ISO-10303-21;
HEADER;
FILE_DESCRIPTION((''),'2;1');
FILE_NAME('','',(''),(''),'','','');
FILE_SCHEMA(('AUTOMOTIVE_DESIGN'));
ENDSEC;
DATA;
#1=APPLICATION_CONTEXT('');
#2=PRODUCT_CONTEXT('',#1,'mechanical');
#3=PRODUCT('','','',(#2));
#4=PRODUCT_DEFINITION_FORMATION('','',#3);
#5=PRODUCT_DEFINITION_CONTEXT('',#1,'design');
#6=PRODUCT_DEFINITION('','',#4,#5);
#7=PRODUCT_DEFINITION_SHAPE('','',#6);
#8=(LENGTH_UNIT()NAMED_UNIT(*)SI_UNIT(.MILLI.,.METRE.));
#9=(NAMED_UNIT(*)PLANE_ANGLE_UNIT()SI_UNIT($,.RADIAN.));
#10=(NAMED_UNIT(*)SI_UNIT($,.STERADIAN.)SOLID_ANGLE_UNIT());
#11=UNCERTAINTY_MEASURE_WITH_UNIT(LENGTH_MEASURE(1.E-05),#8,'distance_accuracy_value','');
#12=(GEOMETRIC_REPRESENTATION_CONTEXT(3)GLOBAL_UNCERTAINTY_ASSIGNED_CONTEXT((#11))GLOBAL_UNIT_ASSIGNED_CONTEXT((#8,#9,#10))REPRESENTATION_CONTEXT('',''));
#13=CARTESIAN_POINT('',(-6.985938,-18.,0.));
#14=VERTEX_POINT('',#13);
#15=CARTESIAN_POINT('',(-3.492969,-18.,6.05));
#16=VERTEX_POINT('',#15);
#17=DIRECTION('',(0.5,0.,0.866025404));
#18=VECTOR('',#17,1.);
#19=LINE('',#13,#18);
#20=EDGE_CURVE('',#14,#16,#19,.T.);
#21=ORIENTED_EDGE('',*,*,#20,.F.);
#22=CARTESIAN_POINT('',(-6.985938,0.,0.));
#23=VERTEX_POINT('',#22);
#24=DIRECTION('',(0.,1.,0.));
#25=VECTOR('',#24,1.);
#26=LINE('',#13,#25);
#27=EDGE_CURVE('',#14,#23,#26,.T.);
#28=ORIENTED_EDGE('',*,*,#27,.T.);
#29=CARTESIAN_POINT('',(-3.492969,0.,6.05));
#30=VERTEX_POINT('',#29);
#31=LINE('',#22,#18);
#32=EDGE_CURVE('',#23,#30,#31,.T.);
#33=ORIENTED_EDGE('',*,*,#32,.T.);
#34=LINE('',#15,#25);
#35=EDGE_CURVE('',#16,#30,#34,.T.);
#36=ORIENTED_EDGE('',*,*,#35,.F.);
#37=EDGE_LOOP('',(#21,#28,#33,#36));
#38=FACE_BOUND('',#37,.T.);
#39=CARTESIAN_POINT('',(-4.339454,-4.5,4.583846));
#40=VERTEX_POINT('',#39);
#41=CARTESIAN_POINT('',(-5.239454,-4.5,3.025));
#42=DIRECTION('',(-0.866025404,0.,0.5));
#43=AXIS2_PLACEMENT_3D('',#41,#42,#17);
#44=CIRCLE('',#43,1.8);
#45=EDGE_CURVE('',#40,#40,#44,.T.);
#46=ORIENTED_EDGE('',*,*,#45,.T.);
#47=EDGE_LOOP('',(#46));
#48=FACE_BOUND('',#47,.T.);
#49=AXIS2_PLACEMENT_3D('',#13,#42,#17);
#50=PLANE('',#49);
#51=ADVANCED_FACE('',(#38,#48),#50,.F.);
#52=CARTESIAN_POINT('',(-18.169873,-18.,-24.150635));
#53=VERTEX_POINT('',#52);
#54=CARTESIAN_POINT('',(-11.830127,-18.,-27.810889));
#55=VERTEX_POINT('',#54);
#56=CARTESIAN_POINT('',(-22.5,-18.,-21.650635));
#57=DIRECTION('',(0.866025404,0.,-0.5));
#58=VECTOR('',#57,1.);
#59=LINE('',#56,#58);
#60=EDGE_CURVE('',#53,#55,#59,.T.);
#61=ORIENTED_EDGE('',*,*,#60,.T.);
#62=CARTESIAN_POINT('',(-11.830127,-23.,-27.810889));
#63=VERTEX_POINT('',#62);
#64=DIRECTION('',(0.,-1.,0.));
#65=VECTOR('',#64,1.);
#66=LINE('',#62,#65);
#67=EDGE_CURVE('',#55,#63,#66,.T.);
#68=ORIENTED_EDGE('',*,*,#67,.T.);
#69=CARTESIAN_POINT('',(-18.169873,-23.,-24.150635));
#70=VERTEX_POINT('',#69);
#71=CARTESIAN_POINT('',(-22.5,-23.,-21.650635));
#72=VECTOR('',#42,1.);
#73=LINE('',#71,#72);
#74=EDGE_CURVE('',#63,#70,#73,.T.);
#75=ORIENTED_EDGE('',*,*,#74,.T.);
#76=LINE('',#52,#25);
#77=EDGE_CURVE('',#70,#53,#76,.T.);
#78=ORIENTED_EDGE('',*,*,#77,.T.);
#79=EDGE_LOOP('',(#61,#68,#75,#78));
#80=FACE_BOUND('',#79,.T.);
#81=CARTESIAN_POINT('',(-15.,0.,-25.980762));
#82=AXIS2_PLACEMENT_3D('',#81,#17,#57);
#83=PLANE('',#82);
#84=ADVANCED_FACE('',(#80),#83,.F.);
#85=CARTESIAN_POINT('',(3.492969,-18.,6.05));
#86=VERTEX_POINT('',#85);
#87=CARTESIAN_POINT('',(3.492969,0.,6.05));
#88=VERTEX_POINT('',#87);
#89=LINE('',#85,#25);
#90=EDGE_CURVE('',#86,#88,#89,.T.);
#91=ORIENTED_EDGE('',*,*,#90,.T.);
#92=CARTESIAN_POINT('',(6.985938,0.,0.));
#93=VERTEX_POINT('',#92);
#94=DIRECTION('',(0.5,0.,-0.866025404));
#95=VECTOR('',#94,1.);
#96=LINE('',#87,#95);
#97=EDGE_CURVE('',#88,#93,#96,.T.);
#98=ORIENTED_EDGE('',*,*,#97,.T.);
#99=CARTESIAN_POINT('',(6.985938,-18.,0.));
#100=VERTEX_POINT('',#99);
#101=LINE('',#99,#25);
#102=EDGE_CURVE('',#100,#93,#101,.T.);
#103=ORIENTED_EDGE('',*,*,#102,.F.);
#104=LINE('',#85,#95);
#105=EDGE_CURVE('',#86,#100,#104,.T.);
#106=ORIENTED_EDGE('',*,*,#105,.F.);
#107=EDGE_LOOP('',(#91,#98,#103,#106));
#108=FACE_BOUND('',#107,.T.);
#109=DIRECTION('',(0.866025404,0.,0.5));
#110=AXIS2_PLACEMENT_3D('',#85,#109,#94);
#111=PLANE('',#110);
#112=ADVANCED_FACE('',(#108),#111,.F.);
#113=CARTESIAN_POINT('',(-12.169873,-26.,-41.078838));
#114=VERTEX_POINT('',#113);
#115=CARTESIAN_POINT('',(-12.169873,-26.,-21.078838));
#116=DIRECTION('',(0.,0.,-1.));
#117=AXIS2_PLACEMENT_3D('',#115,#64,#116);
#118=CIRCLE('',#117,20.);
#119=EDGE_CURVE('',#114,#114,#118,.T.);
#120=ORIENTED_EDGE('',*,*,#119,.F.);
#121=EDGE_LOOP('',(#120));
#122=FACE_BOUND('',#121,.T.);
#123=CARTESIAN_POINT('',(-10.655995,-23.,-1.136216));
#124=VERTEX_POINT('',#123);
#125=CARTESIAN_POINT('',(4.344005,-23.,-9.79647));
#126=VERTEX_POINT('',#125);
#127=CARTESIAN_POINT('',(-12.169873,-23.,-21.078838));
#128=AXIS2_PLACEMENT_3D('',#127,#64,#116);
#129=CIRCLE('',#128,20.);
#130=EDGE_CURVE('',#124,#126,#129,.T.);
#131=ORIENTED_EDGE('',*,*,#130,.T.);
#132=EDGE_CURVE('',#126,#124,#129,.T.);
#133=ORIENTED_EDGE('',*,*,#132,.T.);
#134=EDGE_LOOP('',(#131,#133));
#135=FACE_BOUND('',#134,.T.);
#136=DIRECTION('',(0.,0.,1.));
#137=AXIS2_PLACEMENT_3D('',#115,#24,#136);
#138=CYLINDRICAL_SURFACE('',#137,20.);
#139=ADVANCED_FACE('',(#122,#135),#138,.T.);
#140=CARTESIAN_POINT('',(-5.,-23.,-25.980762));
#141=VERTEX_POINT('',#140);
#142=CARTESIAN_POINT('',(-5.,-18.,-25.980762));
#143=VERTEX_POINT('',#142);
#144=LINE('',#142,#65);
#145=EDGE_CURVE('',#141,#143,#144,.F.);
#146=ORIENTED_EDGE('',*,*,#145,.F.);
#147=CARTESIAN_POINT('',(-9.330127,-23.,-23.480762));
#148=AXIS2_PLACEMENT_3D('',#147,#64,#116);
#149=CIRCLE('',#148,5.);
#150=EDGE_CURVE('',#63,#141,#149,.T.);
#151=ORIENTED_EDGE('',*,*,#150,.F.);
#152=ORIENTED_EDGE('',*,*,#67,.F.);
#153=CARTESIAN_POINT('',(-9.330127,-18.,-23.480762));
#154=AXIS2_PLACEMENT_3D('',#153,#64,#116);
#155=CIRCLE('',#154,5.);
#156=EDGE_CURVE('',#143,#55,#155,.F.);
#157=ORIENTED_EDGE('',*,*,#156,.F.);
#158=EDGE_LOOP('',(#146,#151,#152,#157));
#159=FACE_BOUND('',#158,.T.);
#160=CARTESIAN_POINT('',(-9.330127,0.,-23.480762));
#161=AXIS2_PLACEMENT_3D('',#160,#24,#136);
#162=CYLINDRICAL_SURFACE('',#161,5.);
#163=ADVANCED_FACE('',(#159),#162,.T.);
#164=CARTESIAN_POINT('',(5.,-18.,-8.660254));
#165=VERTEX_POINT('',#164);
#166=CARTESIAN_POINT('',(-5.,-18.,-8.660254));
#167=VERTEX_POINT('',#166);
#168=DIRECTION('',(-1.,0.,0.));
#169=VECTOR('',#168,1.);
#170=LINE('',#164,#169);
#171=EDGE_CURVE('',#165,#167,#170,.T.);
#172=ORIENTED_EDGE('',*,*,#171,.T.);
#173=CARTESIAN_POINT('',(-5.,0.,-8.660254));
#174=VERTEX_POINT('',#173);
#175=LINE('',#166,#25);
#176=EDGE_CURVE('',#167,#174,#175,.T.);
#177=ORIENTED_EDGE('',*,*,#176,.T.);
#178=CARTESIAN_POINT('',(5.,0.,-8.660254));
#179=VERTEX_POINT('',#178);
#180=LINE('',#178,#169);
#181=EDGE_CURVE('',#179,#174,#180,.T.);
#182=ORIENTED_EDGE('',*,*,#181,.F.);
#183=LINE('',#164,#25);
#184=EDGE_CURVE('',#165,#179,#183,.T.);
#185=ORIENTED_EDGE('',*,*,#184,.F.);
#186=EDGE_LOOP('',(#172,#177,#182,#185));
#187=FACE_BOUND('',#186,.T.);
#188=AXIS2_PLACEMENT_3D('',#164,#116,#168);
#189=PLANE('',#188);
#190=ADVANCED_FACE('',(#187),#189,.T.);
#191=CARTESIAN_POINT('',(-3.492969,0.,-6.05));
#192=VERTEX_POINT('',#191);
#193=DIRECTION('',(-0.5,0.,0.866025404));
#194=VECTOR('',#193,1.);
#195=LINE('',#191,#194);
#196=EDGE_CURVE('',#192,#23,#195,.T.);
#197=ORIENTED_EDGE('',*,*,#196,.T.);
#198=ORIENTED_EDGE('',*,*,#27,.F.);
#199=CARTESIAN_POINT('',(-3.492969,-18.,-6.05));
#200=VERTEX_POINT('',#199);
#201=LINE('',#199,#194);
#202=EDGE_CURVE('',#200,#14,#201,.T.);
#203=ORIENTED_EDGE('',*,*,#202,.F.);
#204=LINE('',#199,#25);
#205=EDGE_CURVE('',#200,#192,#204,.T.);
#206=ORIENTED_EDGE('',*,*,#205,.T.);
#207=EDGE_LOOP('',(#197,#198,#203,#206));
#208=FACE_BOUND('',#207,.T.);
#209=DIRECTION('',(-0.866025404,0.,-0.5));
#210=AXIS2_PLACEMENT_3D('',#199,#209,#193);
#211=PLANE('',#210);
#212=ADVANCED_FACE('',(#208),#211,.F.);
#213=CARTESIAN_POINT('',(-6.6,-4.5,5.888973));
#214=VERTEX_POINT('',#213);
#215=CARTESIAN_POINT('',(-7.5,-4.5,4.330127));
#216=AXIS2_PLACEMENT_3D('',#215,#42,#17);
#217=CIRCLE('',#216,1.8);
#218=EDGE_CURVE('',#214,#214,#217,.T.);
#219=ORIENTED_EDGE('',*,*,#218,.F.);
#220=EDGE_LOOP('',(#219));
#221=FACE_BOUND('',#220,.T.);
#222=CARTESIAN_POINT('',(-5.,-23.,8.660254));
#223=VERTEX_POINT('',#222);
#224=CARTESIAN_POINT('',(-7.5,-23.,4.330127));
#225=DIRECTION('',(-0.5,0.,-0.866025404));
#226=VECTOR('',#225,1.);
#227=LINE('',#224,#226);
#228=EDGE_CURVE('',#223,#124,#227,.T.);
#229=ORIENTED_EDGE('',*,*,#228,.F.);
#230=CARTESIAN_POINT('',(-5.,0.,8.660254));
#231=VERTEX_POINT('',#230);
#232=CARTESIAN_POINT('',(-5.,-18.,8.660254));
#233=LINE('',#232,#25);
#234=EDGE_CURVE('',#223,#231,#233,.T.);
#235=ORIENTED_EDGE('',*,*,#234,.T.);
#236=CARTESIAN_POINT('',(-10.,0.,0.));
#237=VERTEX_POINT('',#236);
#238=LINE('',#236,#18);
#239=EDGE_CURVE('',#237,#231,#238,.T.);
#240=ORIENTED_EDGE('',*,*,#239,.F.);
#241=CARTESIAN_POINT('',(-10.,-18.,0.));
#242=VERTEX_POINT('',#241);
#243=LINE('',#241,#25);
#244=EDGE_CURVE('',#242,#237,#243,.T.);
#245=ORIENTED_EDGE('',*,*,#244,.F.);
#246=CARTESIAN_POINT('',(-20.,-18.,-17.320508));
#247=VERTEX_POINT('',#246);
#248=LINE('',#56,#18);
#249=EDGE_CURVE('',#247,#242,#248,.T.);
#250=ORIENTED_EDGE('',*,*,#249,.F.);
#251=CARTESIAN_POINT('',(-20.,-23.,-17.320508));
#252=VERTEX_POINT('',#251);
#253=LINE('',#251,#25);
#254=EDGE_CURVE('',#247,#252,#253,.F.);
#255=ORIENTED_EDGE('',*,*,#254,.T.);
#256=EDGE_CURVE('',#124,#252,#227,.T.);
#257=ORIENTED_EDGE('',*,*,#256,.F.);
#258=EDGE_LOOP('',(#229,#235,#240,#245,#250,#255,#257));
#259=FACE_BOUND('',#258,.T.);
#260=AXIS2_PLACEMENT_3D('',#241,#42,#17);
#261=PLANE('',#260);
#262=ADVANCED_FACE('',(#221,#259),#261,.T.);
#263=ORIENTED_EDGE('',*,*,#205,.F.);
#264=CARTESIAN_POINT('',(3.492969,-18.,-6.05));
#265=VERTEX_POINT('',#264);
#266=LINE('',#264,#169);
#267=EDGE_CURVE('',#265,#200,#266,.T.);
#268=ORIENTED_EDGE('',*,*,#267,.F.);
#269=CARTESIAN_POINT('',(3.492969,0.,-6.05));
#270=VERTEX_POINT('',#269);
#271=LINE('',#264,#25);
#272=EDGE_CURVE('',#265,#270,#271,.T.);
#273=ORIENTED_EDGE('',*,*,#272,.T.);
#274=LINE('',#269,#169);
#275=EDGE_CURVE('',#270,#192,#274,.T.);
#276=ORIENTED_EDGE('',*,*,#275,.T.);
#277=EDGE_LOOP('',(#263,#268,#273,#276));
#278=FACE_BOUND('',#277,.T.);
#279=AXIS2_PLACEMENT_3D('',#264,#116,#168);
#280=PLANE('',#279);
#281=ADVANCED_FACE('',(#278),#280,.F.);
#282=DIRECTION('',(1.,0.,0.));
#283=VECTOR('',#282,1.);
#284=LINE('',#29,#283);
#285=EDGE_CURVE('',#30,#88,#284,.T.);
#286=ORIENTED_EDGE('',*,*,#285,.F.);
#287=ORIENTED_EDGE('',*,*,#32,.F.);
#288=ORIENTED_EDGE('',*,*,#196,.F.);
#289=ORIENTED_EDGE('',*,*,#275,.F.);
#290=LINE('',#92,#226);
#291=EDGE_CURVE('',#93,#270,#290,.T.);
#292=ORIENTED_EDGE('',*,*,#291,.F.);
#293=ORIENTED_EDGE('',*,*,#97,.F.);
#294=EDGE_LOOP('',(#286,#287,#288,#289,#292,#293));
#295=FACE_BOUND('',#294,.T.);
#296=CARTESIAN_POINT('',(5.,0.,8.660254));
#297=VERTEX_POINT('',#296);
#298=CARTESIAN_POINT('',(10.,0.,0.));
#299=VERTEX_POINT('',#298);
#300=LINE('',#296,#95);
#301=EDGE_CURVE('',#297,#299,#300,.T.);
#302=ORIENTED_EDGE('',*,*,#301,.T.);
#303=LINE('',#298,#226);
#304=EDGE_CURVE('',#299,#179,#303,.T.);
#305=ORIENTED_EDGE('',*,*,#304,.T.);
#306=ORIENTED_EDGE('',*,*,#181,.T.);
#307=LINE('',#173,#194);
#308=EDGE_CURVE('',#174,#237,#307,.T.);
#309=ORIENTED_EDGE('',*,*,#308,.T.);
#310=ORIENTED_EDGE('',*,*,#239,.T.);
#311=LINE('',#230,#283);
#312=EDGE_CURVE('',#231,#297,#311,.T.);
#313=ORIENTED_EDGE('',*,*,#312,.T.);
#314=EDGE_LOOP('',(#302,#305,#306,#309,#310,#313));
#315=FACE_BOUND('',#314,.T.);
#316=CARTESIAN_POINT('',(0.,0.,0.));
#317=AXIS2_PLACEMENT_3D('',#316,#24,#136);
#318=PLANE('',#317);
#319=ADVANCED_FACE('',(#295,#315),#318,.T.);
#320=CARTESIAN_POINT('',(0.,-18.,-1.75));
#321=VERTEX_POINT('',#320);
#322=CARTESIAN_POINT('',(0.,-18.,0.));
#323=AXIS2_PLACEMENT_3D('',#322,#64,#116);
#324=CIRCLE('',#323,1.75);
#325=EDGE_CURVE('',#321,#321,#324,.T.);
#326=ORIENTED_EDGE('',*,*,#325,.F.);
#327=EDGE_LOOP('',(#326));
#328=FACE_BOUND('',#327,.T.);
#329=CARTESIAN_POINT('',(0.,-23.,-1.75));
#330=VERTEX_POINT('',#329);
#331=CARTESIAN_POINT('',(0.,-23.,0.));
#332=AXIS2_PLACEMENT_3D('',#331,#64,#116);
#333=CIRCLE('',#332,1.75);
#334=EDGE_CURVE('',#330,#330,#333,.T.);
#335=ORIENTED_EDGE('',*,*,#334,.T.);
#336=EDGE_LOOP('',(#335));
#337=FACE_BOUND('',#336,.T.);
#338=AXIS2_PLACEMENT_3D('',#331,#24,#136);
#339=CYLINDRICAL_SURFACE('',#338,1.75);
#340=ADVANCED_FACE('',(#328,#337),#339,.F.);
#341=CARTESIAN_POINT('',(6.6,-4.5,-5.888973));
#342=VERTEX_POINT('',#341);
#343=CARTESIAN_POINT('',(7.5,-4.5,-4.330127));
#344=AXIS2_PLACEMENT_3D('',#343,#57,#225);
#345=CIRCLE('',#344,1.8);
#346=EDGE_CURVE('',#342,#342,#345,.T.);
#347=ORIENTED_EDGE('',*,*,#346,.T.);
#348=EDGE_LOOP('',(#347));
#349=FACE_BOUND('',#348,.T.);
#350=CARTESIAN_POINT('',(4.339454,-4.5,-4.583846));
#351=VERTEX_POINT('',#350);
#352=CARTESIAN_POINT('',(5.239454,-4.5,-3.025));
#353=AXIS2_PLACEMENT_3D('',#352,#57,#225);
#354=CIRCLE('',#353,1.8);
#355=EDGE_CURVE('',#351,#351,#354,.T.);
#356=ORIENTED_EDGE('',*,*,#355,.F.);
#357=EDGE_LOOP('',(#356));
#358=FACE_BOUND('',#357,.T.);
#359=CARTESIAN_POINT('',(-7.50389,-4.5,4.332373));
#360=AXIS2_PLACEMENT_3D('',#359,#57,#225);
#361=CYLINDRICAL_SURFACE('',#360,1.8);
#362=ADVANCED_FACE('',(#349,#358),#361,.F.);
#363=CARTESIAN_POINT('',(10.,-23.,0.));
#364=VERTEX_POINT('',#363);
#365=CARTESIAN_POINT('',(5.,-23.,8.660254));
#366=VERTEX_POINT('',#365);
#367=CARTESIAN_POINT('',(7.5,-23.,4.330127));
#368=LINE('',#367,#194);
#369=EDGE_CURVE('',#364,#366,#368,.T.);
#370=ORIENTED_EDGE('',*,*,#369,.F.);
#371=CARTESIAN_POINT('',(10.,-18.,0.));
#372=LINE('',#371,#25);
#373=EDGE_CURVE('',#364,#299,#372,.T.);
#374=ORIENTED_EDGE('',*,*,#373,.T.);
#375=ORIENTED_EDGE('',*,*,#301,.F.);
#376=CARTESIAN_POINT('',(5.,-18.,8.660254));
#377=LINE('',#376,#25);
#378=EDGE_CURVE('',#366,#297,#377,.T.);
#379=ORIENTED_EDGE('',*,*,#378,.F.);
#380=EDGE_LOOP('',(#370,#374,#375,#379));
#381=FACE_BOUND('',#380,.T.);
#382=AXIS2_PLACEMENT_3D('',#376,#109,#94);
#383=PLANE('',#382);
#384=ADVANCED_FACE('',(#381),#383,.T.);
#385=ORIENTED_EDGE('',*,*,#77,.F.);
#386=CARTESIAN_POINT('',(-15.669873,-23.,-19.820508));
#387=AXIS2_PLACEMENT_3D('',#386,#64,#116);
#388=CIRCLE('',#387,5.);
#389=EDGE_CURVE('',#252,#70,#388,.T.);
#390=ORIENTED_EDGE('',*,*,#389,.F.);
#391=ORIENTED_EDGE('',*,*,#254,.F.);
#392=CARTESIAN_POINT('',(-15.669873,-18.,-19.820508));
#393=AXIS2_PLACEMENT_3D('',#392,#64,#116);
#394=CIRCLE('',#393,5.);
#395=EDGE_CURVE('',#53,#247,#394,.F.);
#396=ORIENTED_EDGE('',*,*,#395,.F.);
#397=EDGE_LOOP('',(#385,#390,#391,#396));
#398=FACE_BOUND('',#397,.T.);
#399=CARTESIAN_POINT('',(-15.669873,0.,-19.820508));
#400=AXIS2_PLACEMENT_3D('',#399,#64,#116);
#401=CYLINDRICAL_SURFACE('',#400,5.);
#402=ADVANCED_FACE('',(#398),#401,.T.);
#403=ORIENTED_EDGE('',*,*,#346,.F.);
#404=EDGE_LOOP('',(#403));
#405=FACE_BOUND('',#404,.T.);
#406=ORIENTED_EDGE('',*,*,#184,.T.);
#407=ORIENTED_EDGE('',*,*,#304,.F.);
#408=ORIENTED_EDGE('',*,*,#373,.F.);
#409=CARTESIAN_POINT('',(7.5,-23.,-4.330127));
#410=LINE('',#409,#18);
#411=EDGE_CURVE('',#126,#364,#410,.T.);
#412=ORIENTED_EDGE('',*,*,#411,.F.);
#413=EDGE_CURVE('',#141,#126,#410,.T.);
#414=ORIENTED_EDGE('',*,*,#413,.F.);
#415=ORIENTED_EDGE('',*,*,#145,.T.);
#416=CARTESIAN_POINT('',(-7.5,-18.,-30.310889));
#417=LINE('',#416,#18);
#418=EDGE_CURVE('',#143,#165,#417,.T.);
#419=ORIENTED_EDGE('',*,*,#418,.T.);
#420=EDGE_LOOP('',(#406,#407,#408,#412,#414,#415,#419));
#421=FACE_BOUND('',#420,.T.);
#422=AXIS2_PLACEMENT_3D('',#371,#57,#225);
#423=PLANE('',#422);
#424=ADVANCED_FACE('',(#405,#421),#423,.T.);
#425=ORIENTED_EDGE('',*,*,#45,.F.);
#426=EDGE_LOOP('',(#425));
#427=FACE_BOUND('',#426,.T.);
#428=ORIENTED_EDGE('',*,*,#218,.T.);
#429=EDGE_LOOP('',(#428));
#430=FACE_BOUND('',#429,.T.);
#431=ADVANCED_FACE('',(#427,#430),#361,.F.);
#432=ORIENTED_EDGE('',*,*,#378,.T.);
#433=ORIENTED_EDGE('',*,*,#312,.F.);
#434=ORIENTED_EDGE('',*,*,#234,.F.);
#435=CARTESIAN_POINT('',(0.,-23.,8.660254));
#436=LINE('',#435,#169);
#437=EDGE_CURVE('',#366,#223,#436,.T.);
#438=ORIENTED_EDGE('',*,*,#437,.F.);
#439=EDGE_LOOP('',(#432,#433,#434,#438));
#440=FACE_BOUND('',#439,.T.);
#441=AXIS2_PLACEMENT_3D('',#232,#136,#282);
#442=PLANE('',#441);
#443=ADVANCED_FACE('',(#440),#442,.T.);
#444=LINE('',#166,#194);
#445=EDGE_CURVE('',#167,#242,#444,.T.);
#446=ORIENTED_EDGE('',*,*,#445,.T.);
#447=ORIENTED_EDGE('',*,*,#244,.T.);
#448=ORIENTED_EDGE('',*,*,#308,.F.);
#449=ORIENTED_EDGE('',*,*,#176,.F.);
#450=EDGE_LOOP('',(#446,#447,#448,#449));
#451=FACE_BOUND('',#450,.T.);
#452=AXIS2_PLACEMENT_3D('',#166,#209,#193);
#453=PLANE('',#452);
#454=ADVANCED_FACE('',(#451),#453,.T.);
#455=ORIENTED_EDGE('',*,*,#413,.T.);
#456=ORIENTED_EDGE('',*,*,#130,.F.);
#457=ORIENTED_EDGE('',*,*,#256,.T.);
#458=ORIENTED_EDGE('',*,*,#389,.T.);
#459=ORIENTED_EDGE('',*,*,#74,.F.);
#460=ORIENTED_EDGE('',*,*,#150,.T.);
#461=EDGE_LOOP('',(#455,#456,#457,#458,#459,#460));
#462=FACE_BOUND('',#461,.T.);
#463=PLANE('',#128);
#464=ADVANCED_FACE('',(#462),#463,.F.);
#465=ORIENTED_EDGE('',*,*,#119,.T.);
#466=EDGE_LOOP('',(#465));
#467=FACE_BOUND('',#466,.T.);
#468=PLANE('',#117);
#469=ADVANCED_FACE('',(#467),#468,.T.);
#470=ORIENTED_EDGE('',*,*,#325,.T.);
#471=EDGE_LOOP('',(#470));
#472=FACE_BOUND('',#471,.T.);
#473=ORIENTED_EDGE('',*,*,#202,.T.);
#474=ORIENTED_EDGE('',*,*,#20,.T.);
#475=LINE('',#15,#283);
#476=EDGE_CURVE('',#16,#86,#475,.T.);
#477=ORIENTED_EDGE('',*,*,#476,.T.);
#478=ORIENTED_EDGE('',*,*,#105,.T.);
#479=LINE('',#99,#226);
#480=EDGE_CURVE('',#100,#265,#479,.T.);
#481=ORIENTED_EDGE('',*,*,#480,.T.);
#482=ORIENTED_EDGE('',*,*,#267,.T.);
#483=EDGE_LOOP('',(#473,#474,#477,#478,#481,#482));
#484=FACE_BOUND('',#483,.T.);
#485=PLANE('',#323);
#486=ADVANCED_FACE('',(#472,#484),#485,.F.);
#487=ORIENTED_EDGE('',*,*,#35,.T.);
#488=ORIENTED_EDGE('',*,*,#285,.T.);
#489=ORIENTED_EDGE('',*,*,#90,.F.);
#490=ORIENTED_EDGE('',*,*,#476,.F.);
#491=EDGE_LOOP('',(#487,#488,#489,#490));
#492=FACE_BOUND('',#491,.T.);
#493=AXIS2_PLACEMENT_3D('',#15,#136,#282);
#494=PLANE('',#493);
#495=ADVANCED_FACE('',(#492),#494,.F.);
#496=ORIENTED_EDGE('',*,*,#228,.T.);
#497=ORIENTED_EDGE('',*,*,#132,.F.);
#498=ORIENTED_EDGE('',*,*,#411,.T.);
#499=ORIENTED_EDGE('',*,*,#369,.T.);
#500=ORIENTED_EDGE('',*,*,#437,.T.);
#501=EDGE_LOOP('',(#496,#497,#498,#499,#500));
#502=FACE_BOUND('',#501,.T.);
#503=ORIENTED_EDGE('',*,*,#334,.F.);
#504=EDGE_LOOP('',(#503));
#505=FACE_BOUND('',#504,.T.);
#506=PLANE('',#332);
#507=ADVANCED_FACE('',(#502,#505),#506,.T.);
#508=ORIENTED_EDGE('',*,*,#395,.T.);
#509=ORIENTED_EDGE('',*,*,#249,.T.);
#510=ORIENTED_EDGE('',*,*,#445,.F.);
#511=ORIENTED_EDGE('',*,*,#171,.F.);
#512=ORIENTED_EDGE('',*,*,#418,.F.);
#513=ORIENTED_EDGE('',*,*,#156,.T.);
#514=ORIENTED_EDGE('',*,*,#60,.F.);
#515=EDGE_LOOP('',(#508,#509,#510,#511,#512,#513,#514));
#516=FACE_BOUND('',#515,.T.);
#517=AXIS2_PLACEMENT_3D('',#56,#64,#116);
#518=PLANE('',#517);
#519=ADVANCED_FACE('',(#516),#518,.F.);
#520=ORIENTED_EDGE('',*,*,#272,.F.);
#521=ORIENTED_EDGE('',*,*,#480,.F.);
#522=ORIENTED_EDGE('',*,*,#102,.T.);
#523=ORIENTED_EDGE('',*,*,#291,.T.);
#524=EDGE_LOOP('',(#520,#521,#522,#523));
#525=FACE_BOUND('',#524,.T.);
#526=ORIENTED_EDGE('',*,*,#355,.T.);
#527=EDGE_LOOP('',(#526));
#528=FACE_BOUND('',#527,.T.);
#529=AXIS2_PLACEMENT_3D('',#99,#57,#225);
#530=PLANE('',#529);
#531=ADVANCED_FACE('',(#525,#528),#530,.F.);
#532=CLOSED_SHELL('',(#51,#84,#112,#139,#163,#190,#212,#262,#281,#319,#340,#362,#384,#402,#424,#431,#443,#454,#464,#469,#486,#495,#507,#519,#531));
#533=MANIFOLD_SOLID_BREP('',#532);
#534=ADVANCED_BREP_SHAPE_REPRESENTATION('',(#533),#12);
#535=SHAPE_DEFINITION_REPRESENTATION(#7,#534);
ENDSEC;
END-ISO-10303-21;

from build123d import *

# Parameters (mm, degrees)
EXTRUDE_3_DEPTH     = 18
SKETCH_2_R          = 1.8
CUT_EXTRUDE_1_DEPTH = 17.325
SKETCH_4_R          = 1.75
EXTRUDE_9_DEPTH     = 5
SKETCH_7_W          = 17.320508076
SKETCH_7_H          = 5
EXTRUDE_10_DEPTH    = 25
FILLET_1_R          = 5
FILLET_2_R          = 5
SKETCH_8_R          = 20
EXTRUDE_11_DEPTH    = 3


with BuildPart() as part:
    # 草图1 → 凸台-拉伸3 (new body)
    with BuildSketch(Plane(origin=(0, 0, 0), x_dir=(1, 0, 0), z_dir=(0, 1, 0))):
        Polygon((10, 0), (5, 8.660254038), (-5, 8.660254038), (-10, 0), (-5, -8.660254038), (5, -8.660254038), align=None)
        Polygon((6.985938257, 0), (3.492969129, 6.05), (-3.492969129, 6.05), (-6.985938257, 0), (-3.492969129, -6.05), (3.492969129, -6.05), align=None, mode=Mode.SUBTRACT)
    extrude(amount=-EXTRUDE_3_DEPTH)

    # 草图2 → 切除-拉伸1 (cut)
    with BuildSketch(Plane(origin=(7.5, 0, -4.330127019), x_dir=(-0.5000000000000003, 0, -0.8660254037844386), z_dir=(0.8660254037844386, 0, -0.5000000000000003))):
        with Locations((0, -4.5)):
            Circle(SKETCH_2_R)
    extrude(amount=-CUT_EXTRUDE_1_DEPTH, mode=Mode.SUBTRACT)

    # 草图4 → 凸台-拉伸9 (add)
    with BuildSketch(Plane.XZ.offset(18)):
        Polygon((-10, 0), (5, -8.660254038), (10, 0), (5, 8.660254038), (-5, 8.660254038), align=None)
        with Locations(Location((0, 0, 0), (0, 0, 270))):
            Circle(SKETCH_4_R, mode=Mode.SUBTRACT)
    extrude(amount=EXTRUDE_9_DEPTH)

    # 草图7 → 凸台-拉伸10 (add)
    with BuildSketch(Plane(origin=(-2.5, 0, -4.330127019), x_dir=(-0.8660254037844388, 0, 0.49999999999999983), z_dir=(-0.4999999999999998, 0, -0.8660254037844387))):
        with Locations((0, -20.5)):
            Rectangle(SKETCH_7_W, SKETCH_7_H)
    extrude(amount=EXTRUDE_10_DEPTH)

    # 圆角1
    fillet_1_edges = [part.edges().sort_by_distance(p)[0] for p in [
        (-7.5, -20.5, -30.310889132),
    ]]
    fillet(fillet_1_edges, radius=FILLET_1_R)

    # 圆角2
    fillet_2_edges = [part.edges().sort_by_distance(p)[0] for p in [
        (-22.5, -20.5, -21.650635095),
    ]]
    fillet(fillet_2_edges, radius=FILLET_2_R)

    # 草图8 → 凸台-拉伸11 (add)
    with BuildSketch(Plane.XZ.offset(23)):
        with Locations(Location((-12.169872981, -21.078838325, 0), (0, 0, 85.658906273))):
            Circle(SKETCH_8_R)
    extrude(amount=EXTRUDE_11_DEPTH)


solid = part.part
